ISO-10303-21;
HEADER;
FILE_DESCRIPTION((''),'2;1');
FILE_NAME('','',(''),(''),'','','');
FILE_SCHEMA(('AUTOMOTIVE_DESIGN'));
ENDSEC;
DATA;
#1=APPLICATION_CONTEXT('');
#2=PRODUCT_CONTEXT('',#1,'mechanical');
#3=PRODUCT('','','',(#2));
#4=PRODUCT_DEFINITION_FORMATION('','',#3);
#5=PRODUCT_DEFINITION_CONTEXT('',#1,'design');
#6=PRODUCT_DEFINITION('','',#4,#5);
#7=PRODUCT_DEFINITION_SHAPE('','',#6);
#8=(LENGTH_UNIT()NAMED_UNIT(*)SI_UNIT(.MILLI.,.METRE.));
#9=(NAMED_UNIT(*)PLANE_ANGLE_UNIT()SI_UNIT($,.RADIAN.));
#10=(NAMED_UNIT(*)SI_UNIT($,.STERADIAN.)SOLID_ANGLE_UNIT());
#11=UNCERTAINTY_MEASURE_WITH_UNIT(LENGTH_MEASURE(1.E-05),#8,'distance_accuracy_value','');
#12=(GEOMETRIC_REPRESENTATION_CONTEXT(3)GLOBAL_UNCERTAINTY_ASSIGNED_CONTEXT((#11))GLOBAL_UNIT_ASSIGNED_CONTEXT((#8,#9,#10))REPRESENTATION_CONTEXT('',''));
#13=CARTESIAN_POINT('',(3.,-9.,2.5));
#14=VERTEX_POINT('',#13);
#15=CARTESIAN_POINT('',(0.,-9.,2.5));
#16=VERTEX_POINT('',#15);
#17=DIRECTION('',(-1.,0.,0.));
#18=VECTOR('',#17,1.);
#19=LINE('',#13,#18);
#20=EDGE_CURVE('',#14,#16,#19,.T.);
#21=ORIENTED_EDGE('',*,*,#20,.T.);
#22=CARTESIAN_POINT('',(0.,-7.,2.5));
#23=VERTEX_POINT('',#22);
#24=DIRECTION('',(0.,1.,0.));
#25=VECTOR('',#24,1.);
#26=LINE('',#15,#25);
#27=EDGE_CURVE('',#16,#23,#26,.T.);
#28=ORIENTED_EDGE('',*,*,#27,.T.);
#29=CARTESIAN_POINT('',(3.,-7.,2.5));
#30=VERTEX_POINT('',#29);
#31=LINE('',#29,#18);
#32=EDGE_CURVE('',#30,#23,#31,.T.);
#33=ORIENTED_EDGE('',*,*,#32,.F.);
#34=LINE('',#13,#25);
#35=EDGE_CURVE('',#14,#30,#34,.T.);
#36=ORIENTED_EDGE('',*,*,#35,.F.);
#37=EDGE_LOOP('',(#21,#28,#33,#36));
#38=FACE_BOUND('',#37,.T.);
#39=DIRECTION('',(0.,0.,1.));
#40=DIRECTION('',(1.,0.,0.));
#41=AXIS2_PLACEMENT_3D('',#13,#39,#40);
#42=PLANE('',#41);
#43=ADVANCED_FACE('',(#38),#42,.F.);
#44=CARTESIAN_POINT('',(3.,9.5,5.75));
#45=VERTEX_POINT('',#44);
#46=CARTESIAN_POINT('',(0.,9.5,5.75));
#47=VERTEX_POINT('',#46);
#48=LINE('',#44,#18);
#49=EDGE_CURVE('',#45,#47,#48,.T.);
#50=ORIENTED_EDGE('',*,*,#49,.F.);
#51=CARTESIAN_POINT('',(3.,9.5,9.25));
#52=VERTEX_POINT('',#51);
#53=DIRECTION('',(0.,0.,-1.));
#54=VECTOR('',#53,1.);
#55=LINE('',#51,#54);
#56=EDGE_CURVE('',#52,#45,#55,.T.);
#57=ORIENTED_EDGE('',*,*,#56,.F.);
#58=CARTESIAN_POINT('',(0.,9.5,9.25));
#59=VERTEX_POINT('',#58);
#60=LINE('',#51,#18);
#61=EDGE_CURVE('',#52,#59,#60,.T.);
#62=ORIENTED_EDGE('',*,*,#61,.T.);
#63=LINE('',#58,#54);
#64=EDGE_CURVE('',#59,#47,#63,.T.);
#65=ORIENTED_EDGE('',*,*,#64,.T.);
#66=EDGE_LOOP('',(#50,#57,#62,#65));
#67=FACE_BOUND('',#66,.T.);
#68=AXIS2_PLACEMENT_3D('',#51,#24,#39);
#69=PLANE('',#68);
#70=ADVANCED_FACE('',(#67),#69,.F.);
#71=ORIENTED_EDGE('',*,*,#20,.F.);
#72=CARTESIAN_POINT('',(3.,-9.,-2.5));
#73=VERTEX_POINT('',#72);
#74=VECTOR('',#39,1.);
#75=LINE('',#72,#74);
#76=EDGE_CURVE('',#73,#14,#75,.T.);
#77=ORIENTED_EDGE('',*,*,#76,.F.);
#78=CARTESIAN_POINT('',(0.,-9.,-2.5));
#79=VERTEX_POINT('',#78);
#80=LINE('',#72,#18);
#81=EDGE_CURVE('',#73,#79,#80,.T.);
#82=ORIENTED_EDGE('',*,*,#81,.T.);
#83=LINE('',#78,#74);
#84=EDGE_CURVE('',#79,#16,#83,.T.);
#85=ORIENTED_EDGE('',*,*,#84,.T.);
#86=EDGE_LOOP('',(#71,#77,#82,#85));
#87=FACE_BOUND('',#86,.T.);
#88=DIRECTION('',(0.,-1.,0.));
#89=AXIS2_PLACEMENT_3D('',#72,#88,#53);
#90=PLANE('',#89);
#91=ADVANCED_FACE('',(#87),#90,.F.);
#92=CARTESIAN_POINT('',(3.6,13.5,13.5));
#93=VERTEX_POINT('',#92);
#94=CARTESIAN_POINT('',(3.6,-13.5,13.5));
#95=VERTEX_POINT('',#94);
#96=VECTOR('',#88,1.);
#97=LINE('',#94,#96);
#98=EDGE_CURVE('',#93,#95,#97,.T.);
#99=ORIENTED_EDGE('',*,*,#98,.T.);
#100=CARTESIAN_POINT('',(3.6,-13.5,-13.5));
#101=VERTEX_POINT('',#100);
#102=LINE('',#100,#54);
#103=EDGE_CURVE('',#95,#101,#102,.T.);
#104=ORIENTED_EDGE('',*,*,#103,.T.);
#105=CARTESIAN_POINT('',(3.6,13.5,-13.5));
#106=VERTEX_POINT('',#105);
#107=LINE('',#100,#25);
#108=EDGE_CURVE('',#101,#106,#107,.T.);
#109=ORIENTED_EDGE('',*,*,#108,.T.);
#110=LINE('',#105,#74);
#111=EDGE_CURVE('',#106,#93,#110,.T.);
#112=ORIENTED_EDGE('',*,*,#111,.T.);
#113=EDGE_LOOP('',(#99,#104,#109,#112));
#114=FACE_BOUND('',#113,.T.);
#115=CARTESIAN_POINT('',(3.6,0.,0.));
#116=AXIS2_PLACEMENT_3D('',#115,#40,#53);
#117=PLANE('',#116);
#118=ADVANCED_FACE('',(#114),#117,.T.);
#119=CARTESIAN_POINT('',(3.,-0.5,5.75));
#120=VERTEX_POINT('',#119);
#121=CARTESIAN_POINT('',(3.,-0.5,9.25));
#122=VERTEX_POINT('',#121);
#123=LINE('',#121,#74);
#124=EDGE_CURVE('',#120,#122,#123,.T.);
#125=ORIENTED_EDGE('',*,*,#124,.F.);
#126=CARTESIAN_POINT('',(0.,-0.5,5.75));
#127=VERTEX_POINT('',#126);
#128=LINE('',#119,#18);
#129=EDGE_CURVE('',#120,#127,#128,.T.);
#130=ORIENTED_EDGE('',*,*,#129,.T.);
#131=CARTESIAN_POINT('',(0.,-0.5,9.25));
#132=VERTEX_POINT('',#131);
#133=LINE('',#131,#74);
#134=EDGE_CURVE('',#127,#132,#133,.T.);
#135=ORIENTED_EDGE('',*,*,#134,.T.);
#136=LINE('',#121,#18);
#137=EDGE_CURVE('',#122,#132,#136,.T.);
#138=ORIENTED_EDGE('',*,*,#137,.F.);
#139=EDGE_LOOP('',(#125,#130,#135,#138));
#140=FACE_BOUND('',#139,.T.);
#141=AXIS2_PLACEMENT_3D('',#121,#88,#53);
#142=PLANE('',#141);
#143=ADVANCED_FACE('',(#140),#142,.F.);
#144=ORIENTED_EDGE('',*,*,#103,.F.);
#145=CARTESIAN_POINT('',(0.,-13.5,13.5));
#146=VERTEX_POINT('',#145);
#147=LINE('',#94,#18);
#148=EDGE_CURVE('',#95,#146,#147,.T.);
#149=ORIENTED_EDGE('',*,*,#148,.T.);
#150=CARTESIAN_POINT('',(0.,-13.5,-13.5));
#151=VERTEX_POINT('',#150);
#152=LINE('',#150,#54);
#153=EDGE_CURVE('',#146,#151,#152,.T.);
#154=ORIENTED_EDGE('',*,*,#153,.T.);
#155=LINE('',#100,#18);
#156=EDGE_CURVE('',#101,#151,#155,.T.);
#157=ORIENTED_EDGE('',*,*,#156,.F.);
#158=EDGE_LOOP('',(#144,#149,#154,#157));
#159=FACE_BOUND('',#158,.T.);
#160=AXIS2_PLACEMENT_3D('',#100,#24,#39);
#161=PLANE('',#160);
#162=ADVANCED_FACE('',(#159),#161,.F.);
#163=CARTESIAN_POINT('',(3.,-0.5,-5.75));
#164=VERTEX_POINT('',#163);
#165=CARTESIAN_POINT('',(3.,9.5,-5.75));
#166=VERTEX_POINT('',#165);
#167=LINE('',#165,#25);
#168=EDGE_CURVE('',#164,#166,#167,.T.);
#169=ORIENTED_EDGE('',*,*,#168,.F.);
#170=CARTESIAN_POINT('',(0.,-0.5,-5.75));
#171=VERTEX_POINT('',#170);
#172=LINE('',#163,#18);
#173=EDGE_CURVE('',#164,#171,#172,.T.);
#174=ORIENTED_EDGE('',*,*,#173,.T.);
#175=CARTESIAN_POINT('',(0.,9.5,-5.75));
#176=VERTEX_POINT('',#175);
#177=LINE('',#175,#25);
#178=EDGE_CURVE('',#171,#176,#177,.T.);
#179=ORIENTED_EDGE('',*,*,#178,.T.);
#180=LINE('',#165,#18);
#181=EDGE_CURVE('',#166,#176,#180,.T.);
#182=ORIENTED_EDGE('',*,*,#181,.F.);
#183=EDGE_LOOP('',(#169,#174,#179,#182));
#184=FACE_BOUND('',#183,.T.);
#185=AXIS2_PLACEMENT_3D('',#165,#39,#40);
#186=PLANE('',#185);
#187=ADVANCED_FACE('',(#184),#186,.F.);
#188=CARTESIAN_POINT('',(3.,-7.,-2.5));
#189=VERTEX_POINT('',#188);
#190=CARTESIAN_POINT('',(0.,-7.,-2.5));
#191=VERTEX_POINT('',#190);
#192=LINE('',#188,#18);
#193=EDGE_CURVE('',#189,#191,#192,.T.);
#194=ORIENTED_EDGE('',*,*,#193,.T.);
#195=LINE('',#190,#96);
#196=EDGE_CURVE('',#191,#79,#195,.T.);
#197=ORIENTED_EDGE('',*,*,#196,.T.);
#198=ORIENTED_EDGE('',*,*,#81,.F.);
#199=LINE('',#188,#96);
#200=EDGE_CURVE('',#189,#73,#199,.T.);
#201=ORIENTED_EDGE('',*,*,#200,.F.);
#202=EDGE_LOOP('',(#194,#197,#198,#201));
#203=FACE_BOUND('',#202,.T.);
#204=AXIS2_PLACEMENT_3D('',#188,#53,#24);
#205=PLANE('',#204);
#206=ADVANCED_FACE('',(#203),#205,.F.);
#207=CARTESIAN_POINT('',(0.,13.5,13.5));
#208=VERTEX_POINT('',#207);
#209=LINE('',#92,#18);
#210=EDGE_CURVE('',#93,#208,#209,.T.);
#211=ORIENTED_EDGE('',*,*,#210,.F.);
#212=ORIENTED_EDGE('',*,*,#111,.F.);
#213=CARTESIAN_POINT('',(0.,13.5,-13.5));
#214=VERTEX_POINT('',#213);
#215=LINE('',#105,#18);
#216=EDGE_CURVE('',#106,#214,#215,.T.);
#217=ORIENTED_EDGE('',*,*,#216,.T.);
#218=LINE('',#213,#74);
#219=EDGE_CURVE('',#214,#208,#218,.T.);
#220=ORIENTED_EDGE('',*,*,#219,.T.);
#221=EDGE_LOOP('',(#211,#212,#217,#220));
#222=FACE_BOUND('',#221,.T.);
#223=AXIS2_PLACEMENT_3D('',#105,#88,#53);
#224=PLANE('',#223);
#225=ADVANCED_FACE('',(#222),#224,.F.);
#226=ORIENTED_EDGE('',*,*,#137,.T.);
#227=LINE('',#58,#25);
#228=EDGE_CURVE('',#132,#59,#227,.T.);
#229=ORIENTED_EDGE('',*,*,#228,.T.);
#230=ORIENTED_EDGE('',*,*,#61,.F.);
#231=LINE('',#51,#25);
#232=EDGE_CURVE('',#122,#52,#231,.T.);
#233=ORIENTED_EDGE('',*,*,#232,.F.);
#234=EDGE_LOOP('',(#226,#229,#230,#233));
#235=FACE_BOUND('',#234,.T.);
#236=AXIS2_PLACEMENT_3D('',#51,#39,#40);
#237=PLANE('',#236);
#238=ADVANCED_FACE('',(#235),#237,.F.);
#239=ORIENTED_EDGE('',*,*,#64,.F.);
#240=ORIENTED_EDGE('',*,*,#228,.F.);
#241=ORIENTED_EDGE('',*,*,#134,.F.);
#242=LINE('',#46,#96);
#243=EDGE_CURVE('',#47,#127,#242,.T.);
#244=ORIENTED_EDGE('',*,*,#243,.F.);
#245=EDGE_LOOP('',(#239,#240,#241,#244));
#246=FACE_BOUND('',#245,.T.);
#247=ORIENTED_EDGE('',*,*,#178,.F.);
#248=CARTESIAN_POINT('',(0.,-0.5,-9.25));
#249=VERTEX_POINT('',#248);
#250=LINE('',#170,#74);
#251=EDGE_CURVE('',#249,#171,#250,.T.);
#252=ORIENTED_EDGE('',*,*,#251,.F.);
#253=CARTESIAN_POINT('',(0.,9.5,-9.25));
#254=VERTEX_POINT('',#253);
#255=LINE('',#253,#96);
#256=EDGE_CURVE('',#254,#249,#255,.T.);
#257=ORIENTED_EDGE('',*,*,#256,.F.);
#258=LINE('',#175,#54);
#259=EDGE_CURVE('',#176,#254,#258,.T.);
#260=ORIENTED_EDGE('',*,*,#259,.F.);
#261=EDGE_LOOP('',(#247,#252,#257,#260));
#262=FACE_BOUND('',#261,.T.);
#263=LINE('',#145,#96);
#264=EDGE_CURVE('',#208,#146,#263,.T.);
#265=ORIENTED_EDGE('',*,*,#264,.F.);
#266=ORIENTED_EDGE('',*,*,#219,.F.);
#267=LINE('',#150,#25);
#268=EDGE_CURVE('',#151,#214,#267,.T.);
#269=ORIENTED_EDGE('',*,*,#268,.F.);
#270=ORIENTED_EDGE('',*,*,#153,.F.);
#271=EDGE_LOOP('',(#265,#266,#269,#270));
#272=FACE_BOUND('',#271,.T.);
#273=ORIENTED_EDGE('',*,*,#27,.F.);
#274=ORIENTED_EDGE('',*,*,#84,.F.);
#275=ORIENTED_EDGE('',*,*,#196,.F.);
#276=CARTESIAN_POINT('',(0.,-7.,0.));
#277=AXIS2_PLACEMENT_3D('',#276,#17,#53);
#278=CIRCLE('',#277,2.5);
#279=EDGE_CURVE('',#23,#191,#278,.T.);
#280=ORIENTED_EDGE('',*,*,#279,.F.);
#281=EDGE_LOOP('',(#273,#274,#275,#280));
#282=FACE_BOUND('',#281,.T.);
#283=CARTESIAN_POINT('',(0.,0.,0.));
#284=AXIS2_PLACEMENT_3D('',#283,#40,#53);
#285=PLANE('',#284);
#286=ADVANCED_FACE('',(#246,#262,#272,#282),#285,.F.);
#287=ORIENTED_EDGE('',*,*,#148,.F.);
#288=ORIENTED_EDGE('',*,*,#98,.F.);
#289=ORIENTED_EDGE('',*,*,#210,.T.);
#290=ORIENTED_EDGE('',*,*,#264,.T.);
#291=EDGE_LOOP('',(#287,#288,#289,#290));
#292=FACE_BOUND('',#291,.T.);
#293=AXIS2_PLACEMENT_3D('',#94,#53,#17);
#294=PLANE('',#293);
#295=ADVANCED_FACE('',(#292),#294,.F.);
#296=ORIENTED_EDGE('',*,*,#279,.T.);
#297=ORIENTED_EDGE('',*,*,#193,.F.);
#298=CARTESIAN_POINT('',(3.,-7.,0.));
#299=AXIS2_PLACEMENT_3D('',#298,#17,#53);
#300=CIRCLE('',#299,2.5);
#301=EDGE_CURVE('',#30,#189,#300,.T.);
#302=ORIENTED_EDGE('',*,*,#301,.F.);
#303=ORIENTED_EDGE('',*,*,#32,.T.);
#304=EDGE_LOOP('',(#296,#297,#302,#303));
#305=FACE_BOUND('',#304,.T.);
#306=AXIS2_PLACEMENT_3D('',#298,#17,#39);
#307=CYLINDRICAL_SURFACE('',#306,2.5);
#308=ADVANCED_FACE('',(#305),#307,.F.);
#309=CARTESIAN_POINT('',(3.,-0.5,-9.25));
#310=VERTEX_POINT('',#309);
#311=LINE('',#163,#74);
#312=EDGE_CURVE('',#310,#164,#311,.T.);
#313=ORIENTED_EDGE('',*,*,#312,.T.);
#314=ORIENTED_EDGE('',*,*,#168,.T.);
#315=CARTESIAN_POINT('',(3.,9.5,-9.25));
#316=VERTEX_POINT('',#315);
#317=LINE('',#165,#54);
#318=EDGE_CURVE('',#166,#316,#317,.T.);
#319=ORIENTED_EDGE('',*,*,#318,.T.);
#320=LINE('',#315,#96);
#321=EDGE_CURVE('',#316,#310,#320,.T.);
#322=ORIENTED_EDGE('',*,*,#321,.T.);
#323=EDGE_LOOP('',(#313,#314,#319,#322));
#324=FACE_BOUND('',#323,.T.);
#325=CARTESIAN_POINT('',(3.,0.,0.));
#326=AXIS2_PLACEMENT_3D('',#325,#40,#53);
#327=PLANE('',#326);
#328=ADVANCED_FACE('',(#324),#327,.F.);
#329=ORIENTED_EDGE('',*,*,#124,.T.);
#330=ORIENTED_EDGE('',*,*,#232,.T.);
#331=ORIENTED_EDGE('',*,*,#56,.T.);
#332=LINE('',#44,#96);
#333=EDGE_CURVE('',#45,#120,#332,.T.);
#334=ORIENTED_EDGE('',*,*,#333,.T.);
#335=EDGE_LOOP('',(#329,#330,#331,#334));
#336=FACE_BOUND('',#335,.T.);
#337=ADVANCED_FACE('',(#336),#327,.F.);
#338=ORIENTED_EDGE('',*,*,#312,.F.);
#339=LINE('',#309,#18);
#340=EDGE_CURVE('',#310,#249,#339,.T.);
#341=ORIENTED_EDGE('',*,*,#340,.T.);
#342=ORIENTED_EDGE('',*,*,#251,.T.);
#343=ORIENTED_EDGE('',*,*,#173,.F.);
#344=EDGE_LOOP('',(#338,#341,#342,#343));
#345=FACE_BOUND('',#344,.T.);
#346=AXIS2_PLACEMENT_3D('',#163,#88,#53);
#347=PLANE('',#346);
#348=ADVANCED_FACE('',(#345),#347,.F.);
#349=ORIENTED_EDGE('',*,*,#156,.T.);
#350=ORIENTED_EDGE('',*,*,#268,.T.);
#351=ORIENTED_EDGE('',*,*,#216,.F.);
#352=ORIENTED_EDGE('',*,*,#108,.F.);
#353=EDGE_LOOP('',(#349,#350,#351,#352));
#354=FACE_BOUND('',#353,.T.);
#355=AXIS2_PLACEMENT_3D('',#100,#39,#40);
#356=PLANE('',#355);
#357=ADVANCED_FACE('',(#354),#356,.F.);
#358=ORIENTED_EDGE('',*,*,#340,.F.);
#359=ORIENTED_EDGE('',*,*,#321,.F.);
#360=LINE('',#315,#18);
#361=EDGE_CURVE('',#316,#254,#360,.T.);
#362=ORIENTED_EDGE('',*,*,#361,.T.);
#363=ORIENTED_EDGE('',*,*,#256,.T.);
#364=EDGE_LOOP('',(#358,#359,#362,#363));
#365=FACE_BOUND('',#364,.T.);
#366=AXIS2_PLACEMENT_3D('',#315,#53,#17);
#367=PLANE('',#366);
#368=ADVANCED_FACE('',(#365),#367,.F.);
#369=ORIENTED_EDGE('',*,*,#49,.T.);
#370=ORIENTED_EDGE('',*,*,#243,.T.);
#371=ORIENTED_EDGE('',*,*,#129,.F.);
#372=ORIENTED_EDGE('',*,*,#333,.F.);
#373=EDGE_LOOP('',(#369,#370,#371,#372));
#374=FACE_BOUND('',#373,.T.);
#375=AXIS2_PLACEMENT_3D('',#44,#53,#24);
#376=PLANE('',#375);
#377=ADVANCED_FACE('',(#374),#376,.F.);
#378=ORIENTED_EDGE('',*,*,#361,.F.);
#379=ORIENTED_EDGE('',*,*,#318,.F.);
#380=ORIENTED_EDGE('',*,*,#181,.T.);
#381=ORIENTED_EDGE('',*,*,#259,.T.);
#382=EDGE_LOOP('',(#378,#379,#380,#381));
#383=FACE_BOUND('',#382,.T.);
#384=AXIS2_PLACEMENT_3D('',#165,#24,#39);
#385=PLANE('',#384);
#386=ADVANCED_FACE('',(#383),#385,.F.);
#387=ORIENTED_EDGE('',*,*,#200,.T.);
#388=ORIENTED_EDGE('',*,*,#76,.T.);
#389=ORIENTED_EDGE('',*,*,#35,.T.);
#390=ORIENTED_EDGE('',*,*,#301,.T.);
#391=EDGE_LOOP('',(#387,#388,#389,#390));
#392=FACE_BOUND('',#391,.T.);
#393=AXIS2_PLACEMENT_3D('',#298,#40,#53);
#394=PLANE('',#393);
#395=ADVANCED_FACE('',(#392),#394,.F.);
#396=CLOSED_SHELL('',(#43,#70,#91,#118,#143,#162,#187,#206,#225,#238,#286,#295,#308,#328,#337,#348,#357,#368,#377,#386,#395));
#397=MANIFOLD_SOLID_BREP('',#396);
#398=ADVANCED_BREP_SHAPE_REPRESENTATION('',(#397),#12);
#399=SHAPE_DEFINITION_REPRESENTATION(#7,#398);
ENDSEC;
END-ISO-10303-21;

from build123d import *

# Parameters (mm, degrees)
SKETCH1_W           = 27
SKETCH1_H           = 27
BOSS_EXTRUDE1_DEPTH = 3.6
SKETCH2_W           = 3.5
SKETCH2_H           = 10
CUT_EXTRUDE1_DEPTH  = 3


with BuildPart() as part:
    # Sketch1 → Boss-Extrude1 (new body)
    with BuildSketch(Plane(origin=(0, 0, 0), x_dir=(0, 0, -1), z_dir=(1, 0, 0))):
        Rectangle(SKETCH1_W, SKETCH1_H)
    extrude(amount=BOSS_EXTRUDE1_DEPTH)

    # Sketch2 → Cut-Extrude1 (cut)
    with BuildSketch(Plane.ZY):
        with BuildLine():
            Line((-2.5, -7), (-2.5, -9))
            Line((-2.5, -9), (2.5, -9))
            Line((2.5, -9), (2.5, -7))
            ThreePointArc((2.5, -7), (0, -4.5), (-2.5, -7))
        make_face()
        with Locations((-7.5, 4.5)):
            Rectangle(SKETCH2_W, SKETCH2_H)
        with Locations((7.5, 4.5)):
            Rectangle(SKETCH2_W, SKETCH2_H)
    extrude(amount=-CUT_EXTRUDE1_DEPTH, mode=Mode.SUBTRACT)


solid = part.part
